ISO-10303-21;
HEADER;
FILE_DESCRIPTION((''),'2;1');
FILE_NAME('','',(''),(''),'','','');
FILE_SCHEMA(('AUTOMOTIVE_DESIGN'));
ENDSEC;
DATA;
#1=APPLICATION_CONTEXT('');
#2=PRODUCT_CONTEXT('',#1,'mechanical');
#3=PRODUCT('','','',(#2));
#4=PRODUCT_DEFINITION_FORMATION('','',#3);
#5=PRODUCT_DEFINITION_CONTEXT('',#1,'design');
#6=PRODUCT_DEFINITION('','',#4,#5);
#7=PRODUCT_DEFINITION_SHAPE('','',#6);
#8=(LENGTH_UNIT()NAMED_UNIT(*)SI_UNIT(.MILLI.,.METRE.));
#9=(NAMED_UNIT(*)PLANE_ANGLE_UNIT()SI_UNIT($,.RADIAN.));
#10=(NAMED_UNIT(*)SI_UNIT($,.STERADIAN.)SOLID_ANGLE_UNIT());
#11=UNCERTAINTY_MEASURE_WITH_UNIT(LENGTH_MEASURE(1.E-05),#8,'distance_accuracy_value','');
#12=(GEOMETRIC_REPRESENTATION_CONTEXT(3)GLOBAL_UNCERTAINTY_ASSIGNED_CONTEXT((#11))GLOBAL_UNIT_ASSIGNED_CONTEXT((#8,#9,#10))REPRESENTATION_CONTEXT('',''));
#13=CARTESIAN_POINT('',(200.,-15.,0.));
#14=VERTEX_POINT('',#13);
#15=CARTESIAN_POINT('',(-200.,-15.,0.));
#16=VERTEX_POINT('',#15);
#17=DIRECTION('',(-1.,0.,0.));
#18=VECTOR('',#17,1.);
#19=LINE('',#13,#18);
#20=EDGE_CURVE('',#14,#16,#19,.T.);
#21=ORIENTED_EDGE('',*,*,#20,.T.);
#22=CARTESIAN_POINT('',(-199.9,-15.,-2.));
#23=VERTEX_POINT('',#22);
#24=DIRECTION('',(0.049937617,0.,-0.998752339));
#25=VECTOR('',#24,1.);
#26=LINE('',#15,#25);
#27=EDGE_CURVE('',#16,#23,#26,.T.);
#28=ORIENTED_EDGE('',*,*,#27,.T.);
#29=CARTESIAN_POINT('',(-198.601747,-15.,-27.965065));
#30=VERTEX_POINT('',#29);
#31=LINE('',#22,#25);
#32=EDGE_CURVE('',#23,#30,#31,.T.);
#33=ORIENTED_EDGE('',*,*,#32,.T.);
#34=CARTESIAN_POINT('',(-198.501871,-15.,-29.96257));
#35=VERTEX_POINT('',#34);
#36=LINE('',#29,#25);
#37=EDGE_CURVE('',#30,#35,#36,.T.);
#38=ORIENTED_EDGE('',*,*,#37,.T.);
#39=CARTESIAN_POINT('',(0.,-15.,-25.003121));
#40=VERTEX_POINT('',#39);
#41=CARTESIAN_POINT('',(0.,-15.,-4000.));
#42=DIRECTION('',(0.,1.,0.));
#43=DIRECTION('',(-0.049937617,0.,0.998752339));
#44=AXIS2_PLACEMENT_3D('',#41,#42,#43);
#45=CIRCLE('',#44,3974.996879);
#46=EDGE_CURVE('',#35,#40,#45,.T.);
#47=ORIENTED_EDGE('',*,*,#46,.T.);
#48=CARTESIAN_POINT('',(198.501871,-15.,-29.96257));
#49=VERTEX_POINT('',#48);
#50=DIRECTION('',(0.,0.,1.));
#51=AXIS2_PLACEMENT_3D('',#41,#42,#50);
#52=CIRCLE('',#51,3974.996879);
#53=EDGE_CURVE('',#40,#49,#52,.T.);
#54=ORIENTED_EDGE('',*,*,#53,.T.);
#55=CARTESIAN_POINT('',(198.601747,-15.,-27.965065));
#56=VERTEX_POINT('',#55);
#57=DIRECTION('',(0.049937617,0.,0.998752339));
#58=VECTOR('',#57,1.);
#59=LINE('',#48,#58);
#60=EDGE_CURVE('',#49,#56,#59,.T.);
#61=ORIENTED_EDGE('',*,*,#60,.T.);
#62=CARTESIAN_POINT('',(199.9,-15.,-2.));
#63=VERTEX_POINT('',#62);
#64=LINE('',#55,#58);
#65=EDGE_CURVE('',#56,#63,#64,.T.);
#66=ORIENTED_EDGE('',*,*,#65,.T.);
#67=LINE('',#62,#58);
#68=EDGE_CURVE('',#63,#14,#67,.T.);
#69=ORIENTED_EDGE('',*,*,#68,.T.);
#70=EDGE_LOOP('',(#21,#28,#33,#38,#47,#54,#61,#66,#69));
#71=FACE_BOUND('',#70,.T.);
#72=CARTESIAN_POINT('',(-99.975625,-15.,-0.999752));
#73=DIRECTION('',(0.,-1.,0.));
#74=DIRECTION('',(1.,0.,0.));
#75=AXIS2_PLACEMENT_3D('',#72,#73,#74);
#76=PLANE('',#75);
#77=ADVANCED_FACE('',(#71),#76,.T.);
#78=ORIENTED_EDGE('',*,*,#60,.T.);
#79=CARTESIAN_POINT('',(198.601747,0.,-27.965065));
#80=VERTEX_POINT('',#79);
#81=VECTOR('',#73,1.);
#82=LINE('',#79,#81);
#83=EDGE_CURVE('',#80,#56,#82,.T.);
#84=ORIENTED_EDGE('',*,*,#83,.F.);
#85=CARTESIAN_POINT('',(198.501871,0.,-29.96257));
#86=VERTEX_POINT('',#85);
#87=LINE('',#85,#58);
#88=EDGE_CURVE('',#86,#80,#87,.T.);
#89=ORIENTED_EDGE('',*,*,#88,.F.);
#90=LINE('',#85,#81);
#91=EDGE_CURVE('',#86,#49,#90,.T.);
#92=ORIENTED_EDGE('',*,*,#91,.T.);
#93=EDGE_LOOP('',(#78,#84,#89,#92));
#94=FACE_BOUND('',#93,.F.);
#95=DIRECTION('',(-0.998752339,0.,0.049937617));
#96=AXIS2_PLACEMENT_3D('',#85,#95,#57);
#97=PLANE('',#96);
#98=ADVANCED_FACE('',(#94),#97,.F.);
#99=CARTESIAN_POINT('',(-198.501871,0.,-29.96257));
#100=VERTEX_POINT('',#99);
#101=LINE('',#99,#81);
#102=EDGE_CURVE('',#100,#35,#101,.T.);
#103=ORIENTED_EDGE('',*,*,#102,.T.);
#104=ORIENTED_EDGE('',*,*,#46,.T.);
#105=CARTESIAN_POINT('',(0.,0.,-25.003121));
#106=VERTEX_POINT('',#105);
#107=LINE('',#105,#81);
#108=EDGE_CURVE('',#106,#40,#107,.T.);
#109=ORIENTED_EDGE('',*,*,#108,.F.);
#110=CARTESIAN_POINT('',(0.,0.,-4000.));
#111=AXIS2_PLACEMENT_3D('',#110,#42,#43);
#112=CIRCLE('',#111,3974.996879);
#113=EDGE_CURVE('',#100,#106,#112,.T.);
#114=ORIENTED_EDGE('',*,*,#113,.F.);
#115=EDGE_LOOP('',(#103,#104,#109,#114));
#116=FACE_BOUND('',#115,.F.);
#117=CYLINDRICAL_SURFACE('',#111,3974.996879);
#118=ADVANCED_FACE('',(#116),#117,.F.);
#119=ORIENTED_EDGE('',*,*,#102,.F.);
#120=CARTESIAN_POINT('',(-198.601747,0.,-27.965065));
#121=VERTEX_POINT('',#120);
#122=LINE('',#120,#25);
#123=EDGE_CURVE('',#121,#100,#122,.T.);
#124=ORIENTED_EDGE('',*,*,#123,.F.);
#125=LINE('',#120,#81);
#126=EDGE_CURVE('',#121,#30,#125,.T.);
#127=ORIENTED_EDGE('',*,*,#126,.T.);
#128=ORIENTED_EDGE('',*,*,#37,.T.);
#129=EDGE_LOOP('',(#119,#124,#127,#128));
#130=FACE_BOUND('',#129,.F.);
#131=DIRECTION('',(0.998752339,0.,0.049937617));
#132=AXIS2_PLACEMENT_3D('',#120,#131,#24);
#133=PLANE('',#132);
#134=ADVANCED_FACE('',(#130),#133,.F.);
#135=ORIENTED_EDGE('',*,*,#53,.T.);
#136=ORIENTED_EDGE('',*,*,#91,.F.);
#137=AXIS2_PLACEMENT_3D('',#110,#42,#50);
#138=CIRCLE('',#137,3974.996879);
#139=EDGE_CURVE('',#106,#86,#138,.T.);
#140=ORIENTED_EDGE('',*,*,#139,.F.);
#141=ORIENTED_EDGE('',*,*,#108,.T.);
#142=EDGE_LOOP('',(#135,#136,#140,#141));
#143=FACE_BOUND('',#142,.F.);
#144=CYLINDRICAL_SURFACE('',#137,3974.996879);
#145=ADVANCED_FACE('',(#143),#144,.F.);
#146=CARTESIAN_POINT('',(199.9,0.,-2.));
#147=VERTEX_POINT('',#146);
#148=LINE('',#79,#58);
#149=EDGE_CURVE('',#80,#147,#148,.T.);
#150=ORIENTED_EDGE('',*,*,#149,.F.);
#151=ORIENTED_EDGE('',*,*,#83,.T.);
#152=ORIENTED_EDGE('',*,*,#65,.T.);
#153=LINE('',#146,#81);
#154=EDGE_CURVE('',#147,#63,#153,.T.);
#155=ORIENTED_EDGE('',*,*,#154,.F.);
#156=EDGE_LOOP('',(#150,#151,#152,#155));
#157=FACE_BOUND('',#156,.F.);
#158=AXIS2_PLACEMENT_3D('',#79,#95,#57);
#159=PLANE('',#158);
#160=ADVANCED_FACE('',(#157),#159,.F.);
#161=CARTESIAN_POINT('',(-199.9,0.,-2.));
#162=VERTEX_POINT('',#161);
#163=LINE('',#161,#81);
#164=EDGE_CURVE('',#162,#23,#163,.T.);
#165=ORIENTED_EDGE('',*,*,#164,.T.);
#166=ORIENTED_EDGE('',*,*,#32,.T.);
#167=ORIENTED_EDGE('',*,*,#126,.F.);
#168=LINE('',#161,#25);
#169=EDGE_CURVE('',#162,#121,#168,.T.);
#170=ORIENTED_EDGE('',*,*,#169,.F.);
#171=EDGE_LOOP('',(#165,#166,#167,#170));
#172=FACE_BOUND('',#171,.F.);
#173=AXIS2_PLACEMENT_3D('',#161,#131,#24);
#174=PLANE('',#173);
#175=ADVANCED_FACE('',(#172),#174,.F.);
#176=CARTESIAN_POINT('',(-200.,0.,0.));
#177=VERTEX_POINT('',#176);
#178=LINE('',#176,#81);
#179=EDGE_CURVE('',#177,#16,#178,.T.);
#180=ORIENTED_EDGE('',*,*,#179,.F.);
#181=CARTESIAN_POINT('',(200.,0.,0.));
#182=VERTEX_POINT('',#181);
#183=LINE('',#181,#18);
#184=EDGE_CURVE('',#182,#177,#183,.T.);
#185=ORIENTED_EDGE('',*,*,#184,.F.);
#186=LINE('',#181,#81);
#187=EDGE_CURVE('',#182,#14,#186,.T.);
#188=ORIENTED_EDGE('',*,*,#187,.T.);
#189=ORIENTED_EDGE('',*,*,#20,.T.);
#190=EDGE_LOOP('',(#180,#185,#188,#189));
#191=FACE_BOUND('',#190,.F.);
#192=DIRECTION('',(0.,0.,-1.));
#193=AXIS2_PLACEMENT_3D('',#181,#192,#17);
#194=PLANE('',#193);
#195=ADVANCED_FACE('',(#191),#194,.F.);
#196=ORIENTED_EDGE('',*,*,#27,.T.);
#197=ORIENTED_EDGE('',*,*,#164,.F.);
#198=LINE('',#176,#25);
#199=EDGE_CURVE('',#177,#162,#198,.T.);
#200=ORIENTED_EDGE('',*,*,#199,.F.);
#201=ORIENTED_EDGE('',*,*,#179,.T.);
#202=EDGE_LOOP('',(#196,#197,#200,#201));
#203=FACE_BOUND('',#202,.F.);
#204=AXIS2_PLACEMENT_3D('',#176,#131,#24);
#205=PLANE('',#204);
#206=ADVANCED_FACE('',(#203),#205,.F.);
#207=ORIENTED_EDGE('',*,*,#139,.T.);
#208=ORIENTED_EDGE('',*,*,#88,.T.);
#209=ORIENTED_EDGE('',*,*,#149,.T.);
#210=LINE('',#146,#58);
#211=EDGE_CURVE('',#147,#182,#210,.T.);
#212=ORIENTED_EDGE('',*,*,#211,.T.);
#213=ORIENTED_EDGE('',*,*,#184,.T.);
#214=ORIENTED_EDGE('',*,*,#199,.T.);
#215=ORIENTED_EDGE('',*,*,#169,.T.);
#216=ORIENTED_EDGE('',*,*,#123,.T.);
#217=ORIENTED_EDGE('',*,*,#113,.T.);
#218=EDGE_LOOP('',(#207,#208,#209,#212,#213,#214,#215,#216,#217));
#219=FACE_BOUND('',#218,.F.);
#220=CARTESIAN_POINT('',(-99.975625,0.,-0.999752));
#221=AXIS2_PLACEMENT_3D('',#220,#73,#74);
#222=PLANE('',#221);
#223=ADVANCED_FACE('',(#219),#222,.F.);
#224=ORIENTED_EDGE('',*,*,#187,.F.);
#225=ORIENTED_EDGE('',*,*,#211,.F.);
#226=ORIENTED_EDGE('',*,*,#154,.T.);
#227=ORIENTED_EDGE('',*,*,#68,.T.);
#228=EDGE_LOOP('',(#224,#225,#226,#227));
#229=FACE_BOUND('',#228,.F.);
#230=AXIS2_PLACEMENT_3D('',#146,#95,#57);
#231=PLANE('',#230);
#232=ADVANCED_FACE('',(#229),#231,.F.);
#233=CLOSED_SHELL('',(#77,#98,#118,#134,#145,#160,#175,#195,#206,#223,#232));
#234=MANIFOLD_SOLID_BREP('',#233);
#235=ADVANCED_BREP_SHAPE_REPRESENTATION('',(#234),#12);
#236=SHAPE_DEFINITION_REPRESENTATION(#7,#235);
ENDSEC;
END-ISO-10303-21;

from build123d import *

# Parameters (mm, degrees)
F1_DEPTH = 15


with BuildPart() as f1:
    # F0 (on Front) → F1 (new body)
    with BuildSketch(Plane.XZ):
        Polygon((0, 0), (-200, 0), (-199.9, -2), (0, -2), align=None)
        with BuildLine():
            ThreePointArc((198.6017467256, -27.9650654886), (99.3318613217, -24.2438007207), (-1e-10, -23.0031210998))
            Line((0, -23.0031210998), (0, -25.0031210998))
            ThreePointArc((-1e-10, -25.0031210998), (99.2819081211, -26.2431767928), (198.5018714917, -29.9625701663))
            Line((198.5018714917, -29.9625701663), (198.6017467256, -27.9650654886))
        make_face()
        with BuildLine():
            Line((199.9, -2), (0, -2))
            Line((0, -2), (0, -23.0031210998))
            ThreePointArc((-1e-10, -23.0031210998), (99.3318613217, -24.2438007207), (198.6017467256, -27.9650654886))
            Line((198.6017467256, -27.9650654886), (199.9, -2))
        make_face()
        with BuildLine():
            Line((0, -2), (-199.9, -2))
            Line((-199.9, -2), (-198.6017467256, -27.9650654886))
            ThreePointArc((-198.6017467256, -27.9650654886), (-99.3318613218, -24.2438007207), (-1e-10, -23.0031210998))
            Line((0, -23.0031210998), (0, -2))
        make_face()
        Polygon((200, 0), (0, 0), (0, -2), (199.9, -2), align=None)
        with BuildLine():
            ThreePointArc((-1e-10, -23.0031210998), (-99.3318613218, -24.2438007207), (-198.6017467256, -27.9650654886))
            Line((-198.6017467256, -27.9650654886), (-198.5018714917, -29.9625701663))
            ThreePointArc((-198.5018714917, -29.9625701663), (-99.2819081213, -26.2431767928), (-1e-10, -25.0031210998))
            Line((0, -25.0031210998), (0, -23.0031210998))
        make_face()
    extrude(amount=F1_DEPTH)


solid = f1.part
